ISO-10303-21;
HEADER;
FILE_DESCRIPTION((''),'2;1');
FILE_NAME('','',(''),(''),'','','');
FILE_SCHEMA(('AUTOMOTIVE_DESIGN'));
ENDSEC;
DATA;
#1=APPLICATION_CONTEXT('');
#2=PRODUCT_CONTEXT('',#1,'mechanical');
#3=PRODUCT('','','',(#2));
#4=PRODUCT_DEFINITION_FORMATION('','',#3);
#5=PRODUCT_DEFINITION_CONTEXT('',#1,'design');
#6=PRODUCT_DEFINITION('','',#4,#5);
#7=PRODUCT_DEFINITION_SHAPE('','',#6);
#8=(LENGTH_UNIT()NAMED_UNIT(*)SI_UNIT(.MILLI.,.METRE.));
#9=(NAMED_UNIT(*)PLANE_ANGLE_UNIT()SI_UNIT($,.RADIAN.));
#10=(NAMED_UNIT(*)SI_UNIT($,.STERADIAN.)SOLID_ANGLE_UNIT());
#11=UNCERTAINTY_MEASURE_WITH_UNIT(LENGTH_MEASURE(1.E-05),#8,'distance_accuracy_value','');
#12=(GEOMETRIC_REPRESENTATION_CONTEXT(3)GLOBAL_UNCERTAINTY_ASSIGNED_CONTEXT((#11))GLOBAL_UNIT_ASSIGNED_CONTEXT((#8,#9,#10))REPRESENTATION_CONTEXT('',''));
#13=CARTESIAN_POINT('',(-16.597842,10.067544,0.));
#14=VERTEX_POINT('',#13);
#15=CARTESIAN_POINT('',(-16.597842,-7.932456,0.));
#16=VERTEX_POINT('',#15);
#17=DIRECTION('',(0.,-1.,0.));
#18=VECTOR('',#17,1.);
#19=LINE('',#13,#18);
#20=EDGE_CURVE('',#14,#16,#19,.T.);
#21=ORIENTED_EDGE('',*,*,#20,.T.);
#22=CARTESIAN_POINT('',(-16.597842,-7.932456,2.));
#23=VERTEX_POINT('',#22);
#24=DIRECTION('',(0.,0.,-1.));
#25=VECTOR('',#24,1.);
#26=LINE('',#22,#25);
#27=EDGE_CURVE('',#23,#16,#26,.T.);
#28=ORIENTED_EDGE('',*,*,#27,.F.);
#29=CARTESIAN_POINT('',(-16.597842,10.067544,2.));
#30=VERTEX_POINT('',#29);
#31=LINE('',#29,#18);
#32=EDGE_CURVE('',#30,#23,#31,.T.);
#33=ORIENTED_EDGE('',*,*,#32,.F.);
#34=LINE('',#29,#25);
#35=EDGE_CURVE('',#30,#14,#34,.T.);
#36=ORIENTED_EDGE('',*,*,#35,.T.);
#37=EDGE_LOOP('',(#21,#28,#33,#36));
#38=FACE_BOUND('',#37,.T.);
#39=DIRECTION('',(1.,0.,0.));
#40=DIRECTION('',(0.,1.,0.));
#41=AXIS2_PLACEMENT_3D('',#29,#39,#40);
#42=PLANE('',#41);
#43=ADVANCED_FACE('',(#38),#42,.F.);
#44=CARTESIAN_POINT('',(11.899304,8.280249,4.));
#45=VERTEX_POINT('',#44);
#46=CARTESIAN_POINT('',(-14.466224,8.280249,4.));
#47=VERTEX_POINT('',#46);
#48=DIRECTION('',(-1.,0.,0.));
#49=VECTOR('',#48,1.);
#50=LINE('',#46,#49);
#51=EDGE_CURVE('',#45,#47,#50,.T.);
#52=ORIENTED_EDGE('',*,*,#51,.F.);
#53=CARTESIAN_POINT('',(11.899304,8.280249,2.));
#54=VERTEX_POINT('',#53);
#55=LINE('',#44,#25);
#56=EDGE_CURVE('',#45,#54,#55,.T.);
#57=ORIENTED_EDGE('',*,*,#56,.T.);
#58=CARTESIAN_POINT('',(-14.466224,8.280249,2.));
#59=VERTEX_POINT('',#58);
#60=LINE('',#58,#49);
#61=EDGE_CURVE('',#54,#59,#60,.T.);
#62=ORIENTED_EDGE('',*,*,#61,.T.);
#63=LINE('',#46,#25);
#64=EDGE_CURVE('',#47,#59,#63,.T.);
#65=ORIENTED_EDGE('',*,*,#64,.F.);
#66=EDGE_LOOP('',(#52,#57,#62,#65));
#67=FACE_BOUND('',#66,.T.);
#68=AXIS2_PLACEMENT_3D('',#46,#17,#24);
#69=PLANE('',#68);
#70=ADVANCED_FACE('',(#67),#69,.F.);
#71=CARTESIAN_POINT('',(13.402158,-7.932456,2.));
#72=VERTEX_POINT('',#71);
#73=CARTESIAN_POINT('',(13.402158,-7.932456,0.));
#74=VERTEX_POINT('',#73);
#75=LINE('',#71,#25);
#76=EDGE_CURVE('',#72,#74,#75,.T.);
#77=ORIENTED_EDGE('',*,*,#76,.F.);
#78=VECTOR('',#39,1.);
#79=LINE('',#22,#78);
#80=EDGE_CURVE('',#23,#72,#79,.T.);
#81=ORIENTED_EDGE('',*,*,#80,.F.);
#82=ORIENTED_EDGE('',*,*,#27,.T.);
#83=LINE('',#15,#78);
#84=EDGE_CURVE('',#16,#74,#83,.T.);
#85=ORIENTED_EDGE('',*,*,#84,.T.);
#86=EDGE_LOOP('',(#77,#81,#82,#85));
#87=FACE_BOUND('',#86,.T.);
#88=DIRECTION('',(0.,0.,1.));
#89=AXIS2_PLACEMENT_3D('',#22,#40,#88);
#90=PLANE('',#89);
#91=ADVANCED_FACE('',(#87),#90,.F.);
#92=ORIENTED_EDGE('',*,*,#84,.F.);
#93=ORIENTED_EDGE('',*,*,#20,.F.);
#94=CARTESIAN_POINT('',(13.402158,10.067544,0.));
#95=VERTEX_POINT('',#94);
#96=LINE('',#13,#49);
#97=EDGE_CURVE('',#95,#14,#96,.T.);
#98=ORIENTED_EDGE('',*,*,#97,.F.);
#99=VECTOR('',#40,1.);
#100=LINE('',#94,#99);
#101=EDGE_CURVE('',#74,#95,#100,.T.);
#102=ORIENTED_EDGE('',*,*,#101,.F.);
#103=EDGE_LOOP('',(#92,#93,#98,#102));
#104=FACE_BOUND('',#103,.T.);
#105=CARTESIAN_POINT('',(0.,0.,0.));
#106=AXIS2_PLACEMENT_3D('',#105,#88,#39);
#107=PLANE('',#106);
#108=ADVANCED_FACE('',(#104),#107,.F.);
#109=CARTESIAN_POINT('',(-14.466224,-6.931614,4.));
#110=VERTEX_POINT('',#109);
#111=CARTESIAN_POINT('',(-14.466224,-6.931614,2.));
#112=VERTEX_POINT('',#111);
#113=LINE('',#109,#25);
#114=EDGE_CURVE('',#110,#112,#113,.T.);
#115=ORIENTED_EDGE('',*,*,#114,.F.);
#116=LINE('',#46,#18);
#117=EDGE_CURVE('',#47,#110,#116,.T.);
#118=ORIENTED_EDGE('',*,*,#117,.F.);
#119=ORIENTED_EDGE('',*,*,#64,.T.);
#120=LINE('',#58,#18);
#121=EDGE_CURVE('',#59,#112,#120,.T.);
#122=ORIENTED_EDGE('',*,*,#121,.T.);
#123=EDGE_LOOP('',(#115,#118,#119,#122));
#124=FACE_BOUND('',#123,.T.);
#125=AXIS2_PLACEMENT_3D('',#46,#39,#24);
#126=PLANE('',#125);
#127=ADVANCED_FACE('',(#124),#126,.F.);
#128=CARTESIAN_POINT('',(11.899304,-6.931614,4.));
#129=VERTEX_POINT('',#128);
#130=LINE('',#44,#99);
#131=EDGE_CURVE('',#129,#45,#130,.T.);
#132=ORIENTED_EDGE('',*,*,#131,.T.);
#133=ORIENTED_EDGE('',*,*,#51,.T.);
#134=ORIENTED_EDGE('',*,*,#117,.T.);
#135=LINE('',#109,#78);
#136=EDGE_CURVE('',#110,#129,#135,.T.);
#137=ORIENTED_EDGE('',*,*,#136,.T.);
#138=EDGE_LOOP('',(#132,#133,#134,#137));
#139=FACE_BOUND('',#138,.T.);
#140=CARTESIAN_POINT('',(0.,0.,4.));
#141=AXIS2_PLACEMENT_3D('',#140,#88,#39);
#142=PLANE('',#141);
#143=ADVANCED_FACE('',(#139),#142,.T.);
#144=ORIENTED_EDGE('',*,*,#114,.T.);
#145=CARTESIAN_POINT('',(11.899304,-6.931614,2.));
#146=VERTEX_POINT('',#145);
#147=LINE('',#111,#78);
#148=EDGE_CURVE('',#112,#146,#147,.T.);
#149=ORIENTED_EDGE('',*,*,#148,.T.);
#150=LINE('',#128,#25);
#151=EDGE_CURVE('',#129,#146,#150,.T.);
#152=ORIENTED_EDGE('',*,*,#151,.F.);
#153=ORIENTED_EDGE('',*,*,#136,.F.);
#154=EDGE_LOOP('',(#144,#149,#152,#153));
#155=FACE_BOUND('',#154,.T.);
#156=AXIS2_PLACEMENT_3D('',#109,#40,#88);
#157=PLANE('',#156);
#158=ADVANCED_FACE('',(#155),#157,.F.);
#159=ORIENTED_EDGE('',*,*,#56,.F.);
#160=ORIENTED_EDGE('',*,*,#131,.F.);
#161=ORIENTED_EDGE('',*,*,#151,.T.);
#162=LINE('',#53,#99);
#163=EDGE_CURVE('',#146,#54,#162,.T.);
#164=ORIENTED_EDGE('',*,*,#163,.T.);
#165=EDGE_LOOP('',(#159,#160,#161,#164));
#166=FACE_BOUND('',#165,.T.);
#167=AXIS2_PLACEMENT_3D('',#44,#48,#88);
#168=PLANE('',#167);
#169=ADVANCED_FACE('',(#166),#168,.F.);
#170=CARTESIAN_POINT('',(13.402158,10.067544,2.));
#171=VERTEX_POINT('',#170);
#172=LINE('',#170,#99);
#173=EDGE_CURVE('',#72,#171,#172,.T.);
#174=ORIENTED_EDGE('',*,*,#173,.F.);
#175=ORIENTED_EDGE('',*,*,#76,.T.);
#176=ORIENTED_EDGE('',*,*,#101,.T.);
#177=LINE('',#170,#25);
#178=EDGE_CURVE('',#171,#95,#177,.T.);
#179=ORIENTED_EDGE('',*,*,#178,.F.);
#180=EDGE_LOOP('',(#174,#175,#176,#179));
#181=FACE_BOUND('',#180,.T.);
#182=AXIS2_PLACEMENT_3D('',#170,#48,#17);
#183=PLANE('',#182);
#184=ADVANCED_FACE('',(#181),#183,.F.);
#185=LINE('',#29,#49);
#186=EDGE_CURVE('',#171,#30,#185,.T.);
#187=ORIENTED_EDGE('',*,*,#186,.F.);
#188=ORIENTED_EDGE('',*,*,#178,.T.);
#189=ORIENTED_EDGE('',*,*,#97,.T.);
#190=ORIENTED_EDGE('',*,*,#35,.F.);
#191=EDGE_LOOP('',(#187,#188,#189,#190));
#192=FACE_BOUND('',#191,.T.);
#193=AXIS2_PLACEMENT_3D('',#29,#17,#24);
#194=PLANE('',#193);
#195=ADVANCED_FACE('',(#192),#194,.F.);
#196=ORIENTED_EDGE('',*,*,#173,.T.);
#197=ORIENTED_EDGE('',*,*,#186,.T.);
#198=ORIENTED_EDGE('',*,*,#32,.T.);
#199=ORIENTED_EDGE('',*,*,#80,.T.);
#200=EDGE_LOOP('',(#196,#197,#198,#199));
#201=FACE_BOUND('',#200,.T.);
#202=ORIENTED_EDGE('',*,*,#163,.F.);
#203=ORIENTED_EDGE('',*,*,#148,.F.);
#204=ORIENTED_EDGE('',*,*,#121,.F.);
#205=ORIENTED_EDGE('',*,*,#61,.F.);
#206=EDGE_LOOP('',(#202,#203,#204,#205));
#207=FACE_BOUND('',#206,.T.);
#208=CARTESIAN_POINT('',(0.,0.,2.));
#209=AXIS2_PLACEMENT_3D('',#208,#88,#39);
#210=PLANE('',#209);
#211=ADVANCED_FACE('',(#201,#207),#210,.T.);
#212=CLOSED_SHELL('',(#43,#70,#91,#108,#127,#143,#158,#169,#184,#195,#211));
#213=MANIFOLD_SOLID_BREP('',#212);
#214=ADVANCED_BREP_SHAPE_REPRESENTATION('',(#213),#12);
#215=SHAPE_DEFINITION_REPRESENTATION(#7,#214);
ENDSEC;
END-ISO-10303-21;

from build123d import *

# Parameters (mm, degrees)
SKETCH_2_W      = 30
SKETCH_2_H      = 18
EXTRUDE_1_DEPTH = 2
SKETCH_3_W      = 26.365527772
SKETCH_3_H      = 15.21186307
EXTRUDE_2_DEPTH = 2


with BuildPart() as part:
    # 草图2 → 凸台-拉伸1 (new body)
    with BuildSketch(Plane.XY):
        with Locations((-1.597842145, 1.067544451)):
            Rectangle(SKETCH_2_W, SKETCH_2_H)
    extrude(amount=EXTRUDE_1_DEPTH)

    # 草图3 → 凸台-拉伸2 (add)
    with BuildSketch(Plane.XY.offset(2)):
        with Locations((-1.283460156, 0.674317114)):
            Rectangle(SKETCH_3_W, SKETCH_3_H)
    extrude(amount=EXTRUDE_2_DEPTH)


solid = part.part
